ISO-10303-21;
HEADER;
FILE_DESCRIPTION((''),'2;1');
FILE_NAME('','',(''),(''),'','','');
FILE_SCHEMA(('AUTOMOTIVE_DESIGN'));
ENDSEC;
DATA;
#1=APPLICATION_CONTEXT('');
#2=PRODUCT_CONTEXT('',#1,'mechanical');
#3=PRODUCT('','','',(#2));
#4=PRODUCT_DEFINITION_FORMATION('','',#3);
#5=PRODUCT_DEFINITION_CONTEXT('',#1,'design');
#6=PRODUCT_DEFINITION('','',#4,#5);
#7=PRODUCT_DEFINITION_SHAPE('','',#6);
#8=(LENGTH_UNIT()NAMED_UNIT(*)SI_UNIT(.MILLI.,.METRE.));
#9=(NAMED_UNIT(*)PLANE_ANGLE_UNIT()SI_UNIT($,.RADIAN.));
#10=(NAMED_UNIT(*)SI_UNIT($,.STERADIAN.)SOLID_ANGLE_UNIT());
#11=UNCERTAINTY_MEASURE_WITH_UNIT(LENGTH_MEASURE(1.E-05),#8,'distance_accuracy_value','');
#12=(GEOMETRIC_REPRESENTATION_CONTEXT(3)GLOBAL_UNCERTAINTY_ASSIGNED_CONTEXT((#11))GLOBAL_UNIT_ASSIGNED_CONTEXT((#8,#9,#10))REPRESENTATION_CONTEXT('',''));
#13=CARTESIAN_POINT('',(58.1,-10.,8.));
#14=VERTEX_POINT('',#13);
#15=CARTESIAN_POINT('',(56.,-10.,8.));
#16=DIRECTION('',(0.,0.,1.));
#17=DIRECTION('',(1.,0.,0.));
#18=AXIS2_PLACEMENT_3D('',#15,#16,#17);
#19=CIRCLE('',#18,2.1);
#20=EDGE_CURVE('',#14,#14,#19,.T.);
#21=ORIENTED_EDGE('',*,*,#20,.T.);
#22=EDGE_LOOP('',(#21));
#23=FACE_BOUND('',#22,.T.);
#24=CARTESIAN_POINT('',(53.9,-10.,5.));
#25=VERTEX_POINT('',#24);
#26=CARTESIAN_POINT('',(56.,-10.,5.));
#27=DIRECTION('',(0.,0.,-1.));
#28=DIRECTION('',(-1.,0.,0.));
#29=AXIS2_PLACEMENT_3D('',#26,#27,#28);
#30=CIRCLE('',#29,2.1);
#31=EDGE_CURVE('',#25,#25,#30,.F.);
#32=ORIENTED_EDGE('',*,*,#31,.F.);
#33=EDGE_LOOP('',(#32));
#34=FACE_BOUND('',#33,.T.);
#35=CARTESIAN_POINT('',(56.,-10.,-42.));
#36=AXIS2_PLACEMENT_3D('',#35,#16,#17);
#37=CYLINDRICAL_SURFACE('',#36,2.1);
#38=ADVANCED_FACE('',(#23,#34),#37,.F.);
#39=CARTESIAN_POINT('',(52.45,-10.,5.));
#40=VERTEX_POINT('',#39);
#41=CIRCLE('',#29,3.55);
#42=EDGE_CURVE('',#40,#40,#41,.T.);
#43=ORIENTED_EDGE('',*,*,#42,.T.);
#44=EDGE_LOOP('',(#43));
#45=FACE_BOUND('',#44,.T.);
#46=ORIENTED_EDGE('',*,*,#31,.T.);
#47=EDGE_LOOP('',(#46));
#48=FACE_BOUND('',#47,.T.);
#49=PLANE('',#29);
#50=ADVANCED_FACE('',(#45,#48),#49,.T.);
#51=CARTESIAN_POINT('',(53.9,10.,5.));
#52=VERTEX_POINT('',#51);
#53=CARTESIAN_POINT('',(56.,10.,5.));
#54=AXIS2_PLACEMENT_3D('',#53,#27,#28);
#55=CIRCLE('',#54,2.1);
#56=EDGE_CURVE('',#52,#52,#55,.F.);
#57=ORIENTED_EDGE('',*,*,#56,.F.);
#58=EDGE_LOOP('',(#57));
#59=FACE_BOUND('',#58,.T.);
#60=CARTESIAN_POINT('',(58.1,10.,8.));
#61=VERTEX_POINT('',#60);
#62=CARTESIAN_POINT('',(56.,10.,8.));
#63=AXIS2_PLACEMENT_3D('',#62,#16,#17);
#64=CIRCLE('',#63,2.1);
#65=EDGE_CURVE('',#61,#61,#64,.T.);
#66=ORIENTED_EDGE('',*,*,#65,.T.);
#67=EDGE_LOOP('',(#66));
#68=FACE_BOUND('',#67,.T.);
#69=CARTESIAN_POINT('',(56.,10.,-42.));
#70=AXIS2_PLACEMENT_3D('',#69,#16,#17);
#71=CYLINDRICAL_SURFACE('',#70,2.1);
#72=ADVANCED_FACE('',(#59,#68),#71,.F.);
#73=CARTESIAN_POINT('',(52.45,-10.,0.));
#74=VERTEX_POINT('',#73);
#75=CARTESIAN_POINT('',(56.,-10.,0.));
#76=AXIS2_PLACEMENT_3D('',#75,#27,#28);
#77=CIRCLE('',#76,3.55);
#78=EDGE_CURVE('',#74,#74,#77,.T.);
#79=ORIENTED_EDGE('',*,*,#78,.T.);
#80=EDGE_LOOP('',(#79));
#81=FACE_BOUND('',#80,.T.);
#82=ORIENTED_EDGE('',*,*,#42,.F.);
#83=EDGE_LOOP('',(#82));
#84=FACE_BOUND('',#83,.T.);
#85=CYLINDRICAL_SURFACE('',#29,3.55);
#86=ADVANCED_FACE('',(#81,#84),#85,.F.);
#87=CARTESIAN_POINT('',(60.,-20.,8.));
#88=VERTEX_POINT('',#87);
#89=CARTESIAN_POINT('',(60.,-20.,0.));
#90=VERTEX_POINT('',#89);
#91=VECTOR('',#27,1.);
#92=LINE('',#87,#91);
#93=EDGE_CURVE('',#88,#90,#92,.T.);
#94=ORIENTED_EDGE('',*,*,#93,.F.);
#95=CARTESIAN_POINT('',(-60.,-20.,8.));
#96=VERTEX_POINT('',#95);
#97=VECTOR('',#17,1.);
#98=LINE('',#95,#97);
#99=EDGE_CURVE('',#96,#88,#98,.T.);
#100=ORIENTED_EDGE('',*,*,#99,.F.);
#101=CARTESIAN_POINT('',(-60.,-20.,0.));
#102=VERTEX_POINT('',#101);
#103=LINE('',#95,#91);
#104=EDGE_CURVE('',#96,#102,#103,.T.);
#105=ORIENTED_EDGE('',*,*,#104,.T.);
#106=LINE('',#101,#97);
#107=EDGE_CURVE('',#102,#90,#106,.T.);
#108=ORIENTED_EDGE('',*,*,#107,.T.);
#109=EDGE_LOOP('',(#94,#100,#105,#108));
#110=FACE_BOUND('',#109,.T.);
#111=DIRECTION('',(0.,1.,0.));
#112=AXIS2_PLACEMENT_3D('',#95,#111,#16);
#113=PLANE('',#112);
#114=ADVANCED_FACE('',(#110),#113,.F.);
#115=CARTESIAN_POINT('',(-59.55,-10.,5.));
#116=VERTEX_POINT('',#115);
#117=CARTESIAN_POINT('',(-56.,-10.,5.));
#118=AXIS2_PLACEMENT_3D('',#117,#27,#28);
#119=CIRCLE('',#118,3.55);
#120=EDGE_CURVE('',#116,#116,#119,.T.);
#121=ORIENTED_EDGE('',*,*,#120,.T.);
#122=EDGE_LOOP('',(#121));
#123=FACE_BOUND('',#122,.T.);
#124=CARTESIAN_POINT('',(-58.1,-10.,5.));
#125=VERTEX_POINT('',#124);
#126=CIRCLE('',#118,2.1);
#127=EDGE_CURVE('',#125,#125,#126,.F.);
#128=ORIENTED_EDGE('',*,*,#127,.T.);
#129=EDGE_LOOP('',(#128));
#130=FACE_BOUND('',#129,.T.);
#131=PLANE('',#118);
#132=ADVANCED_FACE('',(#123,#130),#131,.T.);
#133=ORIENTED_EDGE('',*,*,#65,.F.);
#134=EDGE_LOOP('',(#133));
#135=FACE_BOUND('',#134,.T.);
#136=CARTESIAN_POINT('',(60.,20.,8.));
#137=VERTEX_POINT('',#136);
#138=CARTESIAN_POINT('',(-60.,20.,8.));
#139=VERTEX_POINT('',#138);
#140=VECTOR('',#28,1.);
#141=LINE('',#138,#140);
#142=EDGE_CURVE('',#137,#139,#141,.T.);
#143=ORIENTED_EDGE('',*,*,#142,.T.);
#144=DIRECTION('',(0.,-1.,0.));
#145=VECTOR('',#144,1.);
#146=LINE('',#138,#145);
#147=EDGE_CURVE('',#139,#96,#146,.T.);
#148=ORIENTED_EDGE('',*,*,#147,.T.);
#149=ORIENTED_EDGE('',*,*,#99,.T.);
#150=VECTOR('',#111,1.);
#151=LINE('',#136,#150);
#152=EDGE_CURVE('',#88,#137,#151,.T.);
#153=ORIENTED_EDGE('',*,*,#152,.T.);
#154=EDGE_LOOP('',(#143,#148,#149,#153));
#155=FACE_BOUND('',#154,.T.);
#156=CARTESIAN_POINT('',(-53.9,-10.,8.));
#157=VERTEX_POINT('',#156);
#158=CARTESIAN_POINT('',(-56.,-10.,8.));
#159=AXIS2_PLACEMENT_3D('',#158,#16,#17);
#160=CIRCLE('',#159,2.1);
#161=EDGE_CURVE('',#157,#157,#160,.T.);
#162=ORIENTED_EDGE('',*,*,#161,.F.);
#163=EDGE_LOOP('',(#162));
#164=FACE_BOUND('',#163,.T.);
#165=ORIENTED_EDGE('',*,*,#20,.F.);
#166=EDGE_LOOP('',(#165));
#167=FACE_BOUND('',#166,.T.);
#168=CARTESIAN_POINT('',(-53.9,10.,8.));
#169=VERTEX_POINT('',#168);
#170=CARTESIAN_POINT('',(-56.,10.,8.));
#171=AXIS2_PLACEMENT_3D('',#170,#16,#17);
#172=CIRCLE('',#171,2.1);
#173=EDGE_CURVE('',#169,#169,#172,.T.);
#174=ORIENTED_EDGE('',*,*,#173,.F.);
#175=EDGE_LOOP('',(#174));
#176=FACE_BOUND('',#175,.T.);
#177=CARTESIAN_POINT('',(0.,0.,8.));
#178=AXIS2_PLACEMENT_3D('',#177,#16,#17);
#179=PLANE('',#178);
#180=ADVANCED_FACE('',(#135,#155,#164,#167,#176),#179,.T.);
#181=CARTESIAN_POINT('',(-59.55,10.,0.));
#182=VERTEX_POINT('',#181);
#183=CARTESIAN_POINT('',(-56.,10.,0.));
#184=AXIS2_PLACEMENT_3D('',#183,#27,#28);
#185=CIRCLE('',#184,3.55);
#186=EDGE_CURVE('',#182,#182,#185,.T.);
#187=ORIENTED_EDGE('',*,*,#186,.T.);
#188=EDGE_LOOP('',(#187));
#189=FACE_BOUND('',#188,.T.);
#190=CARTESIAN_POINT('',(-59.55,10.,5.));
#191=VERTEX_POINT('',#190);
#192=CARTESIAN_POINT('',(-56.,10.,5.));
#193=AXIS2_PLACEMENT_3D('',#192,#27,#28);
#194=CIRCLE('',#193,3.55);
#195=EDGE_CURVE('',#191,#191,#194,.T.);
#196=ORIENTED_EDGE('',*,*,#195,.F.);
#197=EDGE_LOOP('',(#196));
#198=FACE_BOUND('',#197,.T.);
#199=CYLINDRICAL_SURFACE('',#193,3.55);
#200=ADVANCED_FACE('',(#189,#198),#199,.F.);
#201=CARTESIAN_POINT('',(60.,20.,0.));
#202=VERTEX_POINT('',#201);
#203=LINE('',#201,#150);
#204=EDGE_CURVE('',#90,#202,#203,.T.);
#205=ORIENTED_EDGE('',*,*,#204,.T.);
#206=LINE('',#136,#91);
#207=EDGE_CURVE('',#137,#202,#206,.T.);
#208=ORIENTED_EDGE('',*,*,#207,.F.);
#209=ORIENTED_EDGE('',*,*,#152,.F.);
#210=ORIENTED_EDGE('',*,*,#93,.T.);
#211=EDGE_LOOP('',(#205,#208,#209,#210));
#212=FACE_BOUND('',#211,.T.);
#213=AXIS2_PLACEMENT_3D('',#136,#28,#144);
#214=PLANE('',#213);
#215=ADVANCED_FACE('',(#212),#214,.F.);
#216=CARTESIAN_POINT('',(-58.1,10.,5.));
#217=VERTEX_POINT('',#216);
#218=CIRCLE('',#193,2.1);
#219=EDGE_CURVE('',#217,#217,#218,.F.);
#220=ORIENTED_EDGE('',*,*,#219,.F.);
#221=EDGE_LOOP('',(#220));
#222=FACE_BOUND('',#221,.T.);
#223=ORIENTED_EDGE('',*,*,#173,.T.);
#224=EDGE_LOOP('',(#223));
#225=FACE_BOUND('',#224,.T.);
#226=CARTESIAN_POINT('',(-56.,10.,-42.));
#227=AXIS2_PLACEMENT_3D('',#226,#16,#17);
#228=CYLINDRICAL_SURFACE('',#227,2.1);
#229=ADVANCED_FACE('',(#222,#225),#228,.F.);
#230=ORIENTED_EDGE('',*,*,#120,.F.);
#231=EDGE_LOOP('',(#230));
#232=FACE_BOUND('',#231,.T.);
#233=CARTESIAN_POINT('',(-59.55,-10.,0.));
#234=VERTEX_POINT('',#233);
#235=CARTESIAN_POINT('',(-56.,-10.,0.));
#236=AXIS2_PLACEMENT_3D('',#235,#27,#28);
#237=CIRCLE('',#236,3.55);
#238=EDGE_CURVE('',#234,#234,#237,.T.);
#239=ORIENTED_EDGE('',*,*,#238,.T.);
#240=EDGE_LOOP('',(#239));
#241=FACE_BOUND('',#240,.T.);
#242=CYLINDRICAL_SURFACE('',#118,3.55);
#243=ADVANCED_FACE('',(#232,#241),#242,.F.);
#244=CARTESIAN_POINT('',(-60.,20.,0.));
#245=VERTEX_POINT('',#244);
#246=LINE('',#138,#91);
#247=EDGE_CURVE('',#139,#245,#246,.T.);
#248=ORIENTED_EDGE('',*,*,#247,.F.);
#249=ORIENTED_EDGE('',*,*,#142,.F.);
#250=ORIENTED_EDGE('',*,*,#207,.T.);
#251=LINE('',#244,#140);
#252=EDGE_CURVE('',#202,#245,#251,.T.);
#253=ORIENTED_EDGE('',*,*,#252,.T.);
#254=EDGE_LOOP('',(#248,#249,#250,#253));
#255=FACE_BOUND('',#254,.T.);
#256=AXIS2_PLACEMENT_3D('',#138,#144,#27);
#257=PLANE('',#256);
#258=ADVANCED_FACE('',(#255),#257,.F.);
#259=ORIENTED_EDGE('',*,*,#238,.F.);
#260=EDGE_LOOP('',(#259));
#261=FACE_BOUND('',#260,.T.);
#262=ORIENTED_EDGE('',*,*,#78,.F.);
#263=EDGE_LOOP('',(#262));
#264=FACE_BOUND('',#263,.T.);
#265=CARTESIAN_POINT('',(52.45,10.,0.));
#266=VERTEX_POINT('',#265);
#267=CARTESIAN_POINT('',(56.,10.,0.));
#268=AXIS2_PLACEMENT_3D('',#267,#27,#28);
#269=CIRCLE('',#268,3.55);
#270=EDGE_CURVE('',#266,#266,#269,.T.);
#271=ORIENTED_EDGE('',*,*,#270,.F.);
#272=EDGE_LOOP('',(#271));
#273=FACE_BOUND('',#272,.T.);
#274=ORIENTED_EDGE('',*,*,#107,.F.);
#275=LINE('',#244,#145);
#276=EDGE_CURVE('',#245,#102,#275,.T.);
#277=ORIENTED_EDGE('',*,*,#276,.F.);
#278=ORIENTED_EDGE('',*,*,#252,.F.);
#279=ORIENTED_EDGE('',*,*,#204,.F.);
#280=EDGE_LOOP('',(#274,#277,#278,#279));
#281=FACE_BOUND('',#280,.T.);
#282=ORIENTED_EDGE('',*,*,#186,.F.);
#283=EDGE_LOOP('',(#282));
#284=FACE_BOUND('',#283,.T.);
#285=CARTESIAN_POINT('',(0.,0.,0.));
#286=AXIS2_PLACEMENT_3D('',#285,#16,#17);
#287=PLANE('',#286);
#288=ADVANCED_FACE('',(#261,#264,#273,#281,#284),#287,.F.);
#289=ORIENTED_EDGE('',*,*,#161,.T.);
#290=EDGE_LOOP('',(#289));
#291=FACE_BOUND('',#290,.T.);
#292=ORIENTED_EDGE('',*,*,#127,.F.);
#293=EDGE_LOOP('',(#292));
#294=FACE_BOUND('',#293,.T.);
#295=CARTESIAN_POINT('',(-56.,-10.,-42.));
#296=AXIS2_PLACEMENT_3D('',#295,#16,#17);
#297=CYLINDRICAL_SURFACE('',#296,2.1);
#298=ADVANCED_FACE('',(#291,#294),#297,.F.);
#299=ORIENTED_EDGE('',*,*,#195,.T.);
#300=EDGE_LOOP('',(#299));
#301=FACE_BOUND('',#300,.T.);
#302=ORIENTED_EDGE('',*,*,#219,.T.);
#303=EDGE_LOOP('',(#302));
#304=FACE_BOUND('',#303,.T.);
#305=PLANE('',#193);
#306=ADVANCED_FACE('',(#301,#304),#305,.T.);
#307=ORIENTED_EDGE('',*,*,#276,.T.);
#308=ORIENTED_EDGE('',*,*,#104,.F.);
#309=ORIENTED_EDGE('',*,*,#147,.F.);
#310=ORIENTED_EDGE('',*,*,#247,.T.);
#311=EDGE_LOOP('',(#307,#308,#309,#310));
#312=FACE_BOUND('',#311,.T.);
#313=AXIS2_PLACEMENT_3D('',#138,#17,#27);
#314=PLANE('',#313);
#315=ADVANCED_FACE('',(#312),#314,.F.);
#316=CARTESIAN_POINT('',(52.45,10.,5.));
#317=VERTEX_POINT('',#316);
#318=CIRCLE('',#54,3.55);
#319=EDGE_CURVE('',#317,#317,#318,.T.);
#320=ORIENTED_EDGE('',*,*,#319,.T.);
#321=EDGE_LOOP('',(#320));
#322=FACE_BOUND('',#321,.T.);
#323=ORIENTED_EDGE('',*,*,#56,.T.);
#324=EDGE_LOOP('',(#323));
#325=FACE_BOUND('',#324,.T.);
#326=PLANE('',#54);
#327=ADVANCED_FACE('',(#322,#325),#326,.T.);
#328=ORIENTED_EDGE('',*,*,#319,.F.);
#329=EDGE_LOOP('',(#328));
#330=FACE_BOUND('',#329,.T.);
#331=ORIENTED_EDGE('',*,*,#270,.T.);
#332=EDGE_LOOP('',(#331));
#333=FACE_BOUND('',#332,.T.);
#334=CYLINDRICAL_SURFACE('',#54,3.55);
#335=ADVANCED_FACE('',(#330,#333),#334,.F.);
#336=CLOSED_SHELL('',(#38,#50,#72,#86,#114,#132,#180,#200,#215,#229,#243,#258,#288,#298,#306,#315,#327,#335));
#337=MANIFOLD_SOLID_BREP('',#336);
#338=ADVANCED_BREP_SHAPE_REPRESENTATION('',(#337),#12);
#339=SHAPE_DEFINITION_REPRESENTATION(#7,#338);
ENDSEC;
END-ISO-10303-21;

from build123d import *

# Parameters (mm, degrees)
SKETCH_1_W             = 120
SKETCH_1_H             = 40
EXTRUDE_1_DEPTH        = 8
SKETCH_2_R             = 2.1
CUT_EXTRUDE_1_DEPTH    = 50
PATTERN_LINEAR_2_COUNT = 2
PATTERN_LINEAR_2_PITCH = 112
SKETCH_3_R             = 3.55
CUT_EXTRUDE_2_DEPTH    = 5


with BuildPart() as part:
    # Эскиз1 → Бобышка-Вытянуть1 (new body)
    with BuildSketch(Plane.XY):
        Rectangle(SKETCH_1_W, SKETCH_1_H)
    extrude(amount=EXTRUDE_1_DEPTH)

    # Эскиз2 → Вырез-Вытянуть1 (cut)
    with BuildSketch(Plane.XY.offset(8)):
        with Locations((-56, 10)):
            Circle(SKETCH_2_R)
        with Locations((-56, -10)):
            Circle(SKETCH_2_R)
    cut_extrude_1 = extrude(amount=-CUT_EXTRUDE_1_DEPTH, mode=Mode.SUBTRACT)

    # Линейный массив2: Вырез-Вытянуть1 ×2
    with Locations(*[(i * PATTERN_LINEAR_2_PITCH, 0, 0) for i in range(1, PATTERN_LINEAR_2_COUNT)]):
        add(cut_extrude_1, mode=Mode.SUBTRACT)

    # Эскиз3 → Вырез-Вытянуть2 (cut)
    with BuildSketch(Plane(origin=(0, 0, 0), x_dir=(-1, 0, 0), z_dir=(0, 0, -1))):
        with Locations((-56, 10)):
            Circle(SKETCH_3_R)
        with Locations((-56, -10)):
            Circle(SKETCH_3_R)
        with Locations((56, 10)):
            Circle(SKETCH_3_R)
        with Locations((56, -10)):
            Circle(SKETCH_3_R)
    extrude(amount=-CUT_EXTRUDE_2_DEPTH, mode=Mode.SUBTRACT)


solid = part.part
